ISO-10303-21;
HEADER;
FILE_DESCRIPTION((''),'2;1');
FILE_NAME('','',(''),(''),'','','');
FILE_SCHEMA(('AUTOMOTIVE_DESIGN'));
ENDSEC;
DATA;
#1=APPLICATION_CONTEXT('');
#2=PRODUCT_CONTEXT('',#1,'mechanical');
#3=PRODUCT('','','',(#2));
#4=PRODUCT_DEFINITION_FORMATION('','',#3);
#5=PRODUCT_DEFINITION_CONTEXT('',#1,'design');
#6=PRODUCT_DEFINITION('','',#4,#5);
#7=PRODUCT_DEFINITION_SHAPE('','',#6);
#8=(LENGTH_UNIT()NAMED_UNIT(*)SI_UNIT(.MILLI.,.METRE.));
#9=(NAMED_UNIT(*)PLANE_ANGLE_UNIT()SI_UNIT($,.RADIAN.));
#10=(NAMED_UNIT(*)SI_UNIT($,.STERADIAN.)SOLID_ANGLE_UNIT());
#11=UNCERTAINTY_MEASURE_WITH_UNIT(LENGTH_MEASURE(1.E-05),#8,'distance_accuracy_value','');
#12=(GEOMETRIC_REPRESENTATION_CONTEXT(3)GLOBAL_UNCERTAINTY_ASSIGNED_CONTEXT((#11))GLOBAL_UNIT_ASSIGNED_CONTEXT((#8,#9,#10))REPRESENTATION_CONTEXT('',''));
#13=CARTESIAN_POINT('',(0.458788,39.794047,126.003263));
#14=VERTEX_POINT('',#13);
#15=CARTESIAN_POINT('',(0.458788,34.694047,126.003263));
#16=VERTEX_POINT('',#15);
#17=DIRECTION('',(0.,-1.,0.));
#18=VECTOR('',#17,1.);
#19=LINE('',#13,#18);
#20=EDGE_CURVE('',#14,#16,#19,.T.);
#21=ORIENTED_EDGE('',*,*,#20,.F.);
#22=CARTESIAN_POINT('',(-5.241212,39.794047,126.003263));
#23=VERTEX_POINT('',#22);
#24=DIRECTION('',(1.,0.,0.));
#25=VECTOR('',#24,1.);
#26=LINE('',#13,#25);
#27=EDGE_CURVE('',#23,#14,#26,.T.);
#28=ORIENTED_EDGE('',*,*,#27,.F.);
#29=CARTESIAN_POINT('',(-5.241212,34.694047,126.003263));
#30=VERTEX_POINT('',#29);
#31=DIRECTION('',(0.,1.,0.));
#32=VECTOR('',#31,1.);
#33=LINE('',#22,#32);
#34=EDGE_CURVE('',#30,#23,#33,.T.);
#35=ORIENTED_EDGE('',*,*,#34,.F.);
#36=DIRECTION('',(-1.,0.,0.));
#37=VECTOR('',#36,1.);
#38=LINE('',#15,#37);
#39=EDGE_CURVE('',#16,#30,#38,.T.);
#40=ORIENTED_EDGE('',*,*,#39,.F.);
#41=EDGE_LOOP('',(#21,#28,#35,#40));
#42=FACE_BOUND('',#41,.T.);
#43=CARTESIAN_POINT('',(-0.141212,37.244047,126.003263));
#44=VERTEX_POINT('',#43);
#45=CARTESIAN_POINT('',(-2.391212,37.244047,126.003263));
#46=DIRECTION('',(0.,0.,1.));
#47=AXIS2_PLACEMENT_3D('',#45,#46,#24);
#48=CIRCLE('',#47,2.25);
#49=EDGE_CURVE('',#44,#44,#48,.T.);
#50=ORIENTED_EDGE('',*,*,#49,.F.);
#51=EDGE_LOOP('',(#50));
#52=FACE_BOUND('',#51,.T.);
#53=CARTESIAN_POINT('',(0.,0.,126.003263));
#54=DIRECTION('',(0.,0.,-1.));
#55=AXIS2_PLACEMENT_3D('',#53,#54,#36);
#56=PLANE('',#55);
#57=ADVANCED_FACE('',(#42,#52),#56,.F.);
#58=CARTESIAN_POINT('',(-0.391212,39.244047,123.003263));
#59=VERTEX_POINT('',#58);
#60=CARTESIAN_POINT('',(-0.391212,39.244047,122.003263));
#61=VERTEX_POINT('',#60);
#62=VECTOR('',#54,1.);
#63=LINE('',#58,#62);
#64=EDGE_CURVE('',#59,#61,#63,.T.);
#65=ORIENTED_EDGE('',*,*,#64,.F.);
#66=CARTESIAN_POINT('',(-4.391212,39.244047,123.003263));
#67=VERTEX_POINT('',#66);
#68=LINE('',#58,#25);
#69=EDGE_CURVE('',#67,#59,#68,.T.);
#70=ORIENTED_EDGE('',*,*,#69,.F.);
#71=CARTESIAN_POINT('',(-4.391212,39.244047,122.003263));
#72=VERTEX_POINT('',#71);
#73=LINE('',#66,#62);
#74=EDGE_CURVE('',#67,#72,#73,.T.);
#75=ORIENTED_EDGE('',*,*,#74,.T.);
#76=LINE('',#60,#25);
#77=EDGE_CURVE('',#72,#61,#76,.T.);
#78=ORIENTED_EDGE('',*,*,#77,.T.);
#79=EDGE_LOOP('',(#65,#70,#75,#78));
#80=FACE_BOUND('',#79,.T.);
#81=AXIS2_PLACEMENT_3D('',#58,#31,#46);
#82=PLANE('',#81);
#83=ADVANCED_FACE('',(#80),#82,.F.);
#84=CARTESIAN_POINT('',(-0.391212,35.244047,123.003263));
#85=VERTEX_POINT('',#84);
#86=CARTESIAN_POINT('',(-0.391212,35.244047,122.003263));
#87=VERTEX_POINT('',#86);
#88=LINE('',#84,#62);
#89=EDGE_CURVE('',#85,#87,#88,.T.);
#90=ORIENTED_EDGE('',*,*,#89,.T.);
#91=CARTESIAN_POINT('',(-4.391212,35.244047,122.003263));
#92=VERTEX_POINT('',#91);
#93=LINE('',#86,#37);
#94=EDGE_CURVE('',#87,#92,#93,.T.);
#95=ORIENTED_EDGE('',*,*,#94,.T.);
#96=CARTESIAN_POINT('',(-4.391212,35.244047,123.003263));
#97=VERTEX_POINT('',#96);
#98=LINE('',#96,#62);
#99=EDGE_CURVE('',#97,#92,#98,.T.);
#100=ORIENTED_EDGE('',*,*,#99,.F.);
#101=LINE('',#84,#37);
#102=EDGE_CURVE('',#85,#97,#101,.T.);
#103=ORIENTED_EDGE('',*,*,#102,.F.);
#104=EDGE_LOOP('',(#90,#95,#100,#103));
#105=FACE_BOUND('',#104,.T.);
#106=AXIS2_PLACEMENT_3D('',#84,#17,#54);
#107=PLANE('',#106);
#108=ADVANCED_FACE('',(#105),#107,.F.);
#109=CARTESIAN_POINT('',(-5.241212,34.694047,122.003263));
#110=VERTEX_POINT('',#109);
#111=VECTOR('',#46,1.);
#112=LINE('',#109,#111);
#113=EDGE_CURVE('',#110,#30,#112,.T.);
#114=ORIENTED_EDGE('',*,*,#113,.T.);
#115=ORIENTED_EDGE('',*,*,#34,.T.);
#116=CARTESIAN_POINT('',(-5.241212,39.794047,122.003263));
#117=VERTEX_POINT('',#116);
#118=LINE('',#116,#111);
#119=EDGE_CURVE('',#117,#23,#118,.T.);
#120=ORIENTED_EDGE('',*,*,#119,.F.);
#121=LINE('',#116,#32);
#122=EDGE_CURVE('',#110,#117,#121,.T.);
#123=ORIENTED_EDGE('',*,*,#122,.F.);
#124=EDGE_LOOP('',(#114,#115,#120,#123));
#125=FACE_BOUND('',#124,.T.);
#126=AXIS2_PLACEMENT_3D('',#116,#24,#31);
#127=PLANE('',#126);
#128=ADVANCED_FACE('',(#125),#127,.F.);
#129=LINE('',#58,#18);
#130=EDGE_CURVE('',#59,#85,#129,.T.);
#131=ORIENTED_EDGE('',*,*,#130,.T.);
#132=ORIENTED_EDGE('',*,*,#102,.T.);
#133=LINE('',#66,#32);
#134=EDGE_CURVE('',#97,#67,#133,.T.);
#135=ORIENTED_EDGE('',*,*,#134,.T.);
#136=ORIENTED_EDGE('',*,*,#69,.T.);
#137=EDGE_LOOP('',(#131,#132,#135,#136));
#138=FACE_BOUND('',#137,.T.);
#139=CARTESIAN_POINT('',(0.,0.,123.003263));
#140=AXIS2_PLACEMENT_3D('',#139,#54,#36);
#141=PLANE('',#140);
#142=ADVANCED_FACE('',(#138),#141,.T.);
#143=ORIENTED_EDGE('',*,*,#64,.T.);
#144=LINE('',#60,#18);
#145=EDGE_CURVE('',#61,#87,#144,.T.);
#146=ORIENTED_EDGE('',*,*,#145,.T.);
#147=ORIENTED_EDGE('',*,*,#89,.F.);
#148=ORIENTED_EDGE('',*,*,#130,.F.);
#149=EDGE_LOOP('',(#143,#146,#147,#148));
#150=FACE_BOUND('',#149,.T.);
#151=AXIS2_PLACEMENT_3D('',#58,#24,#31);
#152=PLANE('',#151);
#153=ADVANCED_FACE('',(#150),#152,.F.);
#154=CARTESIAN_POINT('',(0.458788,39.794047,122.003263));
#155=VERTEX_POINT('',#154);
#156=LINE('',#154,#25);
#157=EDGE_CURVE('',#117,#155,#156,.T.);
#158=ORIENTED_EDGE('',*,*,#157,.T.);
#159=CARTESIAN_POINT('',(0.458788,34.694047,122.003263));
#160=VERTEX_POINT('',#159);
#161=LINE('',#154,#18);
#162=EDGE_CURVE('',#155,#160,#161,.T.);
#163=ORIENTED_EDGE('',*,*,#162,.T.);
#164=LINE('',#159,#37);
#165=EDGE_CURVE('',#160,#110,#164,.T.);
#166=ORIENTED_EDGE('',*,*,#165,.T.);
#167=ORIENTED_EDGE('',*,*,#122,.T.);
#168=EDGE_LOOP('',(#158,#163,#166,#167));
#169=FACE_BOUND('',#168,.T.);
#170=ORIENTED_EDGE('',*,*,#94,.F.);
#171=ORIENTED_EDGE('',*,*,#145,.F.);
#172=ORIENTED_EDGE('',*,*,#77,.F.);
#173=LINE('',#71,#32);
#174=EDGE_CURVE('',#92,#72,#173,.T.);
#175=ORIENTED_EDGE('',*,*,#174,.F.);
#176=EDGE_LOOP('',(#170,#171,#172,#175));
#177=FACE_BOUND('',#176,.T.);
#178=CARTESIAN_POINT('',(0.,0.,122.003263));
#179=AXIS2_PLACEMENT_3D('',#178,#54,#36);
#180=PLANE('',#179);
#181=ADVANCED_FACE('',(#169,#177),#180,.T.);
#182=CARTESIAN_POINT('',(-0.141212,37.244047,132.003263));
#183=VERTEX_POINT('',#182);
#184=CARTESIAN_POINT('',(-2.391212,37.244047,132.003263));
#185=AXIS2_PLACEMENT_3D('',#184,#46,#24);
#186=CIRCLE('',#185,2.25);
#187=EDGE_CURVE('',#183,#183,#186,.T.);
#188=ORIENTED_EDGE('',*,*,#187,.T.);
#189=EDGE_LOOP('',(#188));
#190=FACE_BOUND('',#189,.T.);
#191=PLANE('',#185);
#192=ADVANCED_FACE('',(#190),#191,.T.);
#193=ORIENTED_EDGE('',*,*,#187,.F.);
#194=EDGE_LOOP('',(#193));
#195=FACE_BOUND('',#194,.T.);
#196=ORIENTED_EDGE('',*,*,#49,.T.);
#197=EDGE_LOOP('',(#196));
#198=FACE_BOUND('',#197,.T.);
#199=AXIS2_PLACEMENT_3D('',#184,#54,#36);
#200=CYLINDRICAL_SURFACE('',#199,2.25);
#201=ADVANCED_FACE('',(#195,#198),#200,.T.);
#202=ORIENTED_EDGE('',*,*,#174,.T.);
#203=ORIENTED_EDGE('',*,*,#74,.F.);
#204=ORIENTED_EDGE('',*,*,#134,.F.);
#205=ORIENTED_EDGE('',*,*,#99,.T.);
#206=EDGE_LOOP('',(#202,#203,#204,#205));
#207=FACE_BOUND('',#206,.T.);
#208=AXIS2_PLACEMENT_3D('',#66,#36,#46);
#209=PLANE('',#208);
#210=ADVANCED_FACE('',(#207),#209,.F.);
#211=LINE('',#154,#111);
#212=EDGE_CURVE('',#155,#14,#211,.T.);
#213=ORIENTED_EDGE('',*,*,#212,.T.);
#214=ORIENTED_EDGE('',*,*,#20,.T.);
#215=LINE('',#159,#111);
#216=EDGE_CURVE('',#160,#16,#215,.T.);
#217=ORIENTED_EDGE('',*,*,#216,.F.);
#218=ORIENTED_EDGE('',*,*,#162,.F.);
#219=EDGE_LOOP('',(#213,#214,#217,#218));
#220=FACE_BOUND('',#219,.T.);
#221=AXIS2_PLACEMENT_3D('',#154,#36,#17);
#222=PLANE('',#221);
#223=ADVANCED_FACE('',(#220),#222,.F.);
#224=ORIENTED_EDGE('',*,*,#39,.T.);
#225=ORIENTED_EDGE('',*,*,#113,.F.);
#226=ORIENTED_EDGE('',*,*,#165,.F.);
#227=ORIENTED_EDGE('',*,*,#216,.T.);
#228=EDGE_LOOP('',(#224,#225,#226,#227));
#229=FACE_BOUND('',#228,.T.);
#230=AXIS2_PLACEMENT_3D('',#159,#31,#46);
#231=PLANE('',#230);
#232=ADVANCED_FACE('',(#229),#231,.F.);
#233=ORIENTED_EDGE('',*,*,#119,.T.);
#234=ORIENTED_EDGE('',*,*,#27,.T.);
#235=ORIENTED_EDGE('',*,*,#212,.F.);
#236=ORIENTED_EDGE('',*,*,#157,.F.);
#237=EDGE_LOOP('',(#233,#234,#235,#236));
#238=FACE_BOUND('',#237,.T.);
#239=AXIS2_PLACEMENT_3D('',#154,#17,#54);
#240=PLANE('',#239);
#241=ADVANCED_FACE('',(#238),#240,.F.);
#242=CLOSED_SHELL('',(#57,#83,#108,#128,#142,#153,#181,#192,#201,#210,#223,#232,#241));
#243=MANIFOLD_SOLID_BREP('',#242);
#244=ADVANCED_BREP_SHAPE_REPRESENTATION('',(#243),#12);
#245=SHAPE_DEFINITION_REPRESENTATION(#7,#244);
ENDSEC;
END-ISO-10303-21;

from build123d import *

# Parameters (mm, degrees)
SCHIZZO1_W                   = 5.699999879
SCHIZZO1_H                   = 5.099999898
ESTRUSIONE_ESTRUSIONE1_DEPTH = 4
SCHIZZO2_W                   = 4
SCHIZZO2_H                   = 4
TAGLIO_ESTRUSIONE1_DEPTH     = 1
SCHIZZO3_R                   = 2.25
ESTRUSIONE_ESTRUSIONE2_DEPTH = 6


with BuildPart() as part:
    # Schizzo1 → Estrusione-Estrusione1 (new body)
    with BuildSketch(Plane(origin=(0, 0, 126.00326253), x_dir=(-1, 0, 0), z_dir=(0, 0, -1))):
        with Locations((2.391212038, 37.24404717)):
            Rectangle(SCHIZZO1_W, SCHIZZO1_H)
    extrude(amount=ESTRUSIONE_ESTRUSIONE1_DEPTH)

    # Schizzo2 → Taglio-Estrusione1 (cut)
    with BuildSketch(Plane(origin=(0, 0, 122.00326253), x_dir=(-1, 0, 0), z_dir=(0, 0, -1))):
        with Locations((2.391212098, 37.244047119)):
            Rectangle(SCHIZZO2_W, SCHIZZO2_H)
    extrude(amount=-TAGLIO_ESTRUSIONE1_DEPTH, mode=Mode.SUBTRACT)

    # Schizzo3 → Estrusione-Estrusione2 (add)
    with BuildSketch(Plane.XY.offset(126.00326253)):
        with Locations((-2.391212038, 37.24404717)):
            Circle(SCHIZZO3_R)
    extrude(amount=ESTRUSIONE_ESTRUSIONE2_DEPTH)


solid = part.part
